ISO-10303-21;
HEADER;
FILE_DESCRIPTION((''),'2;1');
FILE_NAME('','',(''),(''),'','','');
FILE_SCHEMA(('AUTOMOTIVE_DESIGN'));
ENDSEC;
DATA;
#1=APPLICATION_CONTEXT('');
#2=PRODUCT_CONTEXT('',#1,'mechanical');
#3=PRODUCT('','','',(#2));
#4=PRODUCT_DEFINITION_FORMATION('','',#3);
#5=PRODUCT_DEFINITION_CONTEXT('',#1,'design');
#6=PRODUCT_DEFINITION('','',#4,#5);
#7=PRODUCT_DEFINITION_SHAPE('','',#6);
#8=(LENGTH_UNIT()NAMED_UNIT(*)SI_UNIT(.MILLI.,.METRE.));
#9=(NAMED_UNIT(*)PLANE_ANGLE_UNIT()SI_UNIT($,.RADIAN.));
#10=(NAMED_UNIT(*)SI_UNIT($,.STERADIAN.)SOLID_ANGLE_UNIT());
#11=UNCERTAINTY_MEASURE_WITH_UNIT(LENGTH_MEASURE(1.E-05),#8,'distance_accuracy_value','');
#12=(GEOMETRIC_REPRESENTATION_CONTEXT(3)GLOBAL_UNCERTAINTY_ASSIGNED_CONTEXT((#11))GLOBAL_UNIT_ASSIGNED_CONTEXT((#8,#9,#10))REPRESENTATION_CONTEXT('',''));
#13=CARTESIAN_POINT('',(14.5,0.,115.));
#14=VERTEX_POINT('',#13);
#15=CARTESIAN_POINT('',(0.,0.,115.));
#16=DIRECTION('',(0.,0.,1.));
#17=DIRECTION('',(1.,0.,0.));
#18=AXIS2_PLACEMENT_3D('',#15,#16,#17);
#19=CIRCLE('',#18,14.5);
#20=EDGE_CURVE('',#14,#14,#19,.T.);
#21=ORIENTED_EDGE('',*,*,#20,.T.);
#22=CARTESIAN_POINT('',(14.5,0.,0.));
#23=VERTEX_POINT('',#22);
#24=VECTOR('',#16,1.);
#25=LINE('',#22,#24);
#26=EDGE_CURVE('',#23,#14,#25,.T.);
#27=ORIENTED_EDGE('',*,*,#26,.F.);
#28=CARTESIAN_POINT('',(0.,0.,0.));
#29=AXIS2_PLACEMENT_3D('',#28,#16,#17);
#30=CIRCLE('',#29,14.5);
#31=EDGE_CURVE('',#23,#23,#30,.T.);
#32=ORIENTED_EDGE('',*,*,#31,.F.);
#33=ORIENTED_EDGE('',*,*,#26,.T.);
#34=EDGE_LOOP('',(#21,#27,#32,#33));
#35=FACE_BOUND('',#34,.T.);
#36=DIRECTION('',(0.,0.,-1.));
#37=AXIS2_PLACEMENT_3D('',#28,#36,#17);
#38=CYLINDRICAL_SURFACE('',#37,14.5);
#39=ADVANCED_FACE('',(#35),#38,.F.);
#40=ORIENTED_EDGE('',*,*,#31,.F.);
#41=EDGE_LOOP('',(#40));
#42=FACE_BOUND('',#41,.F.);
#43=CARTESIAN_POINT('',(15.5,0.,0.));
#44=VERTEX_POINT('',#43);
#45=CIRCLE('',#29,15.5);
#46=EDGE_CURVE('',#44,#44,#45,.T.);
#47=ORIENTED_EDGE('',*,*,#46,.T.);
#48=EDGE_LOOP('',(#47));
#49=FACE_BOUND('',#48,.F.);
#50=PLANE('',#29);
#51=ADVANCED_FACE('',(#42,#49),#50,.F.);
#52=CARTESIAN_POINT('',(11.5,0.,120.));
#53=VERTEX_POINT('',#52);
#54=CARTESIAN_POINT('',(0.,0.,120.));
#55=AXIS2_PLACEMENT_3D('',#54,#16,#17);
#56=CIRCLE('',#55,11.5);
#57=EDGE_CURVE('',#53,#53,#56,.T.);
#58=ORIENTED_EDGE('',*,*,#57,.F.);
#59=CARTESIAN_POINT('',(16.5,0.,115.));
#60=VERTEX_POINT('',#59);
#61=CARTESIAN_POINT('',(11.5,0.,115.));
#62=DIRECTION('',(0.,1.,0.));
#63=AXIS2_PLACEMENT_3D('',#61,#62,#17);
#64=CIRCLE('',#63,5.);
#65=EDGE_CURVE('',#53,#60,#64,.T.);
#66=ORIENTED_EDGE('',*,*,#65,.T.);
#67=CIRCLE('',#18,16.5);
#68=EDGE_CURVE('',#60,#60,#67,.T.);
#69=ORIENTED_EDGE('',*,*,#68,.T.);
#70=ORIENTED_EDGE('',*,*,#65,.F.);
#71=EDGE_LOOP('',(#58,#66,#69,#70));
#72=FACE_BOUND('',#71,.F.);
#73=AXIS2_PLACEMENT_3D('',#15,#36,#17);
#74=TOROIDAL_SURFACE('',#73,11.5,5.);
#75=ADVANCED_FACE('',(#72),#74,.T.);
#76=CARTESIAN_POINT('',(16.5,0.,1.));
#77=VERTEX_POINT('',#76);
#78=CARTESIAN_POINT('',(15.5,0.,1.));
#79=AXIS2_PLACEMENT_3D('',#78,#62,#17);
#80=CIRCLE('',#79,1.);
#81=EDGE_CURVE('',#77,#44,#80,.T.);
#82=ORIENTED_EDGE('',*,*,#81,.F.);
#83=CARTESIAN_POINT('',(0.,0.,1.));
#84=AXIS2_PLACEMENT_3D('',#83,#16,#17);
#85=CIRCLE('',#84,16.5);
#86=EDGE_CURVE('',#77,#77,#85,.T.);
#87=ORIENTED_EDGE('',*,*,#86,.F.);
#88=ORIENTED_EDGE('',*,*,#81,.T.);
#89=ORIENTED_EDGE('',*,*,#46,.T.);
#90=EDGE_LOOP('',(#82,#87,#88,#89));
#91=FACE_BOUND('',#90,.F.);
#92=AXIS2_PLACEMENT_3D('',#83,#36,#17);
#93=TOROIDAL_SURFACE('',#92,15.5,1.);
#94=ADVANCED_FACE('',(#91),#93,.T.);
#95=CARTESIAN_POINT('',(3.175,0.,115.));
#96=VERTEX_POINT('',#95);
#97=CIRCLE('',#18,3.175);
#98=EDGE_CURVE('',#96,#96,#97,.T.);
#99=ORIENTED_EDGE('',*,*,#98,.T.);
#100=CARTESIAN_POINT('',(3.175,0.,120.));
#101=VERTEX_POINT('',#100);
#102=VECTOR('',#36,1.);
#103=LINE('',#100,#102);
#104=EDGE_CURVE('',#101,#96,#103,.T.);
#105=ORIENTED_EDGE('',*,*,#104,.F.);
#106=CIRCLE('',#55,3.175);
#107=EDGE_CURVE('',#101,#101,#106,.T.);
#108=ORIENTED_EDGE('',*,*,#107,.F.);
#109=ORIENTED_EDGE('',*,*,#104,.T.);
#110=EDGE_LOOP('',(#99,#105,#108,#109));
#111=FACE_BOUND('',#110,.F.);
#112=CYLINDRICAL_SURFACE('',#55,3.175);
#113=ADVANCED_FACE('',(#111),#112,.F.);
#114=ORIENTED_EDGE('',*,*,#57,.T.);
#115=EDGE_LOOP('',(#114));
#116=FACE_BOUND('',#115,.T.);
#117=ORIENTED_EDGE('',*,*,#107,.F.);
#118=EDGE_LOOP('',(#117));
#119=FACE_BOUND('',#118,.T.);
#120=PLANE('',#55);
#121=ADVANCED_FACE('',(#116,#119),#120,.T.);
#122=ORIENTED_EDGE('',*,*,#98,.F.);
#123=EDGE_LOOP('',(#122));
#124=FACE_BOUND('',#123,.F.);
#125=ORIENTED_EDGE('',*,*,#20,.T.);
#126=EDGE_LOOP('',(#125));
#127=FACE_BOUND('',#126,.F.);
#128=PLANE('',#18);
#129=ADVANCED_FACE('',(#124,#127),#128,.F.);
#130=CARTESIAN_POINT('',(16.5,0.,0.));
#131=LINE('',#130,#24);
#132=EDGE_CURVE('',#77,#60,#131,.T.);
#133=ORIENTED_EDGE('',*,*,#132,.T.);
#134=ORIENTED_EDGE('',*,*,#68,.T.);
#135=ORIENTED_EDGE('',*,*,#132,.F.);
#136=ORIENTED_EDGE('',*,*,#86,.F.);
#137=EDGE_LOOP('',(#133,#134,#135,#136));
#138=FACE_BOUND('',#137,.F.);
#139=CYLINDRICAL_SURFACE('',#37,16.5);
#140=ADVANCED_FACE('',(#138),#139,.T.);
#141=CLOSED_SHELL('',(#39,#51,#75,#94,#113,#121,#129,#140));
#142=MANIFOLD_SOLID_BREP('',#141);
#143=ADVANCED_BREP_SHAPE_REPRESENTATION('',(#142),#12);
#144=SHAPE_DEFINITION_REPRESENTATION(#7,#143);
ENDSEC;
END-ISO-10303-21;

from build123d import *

# Parameters (mm, degrees)
F0_R     = 16.5
F0_R_2   = 14.5
F1_DEPTH = 120
F2_R     = 14.5
F3_DEPTH = 5
F5_R     = 5
F6_R     = 1
F4_R     = 3.175
F7_DEPTH = 25


with BuildPart() as f1:
    # F0 (on Top) → F1 (new body)
    with BuildSketch(Plane.XY):
        Circle(F0_R)
        Circle(F0_R_2, mode=Mode.SUBTRACT)
    extrude(amount=F1_DEPTH)

    # F2 (on face) → F3 (join)
    with BuildSketch(Plane.XY.offset(120)):
        Circle(F2_R)
    extrude(amount=-F3_DEPTH)

    # F5
    f5_edges = [f1.edges().sort_by_distance(p)[0] for p in [
        (-16.5, 0, 120),
    ]]
    fillet(f5_edges, radius=F5_R)

    # F6
    f6_edges = [f1.edges().sort_by_distance(p)[0] for p in [
        (-16.5, 0, 0),
    ]]
    fillet(f6_edges, radius=F6_R)

    # F4 (on face) → F7 (cut)
    with BuildSketch(Plane.XY.offset(120)):
        Circle(F4_R)
    extrude(amount=-F7_DEPTH, mode=Mode.SUBTRACT)


solid = f1.part
